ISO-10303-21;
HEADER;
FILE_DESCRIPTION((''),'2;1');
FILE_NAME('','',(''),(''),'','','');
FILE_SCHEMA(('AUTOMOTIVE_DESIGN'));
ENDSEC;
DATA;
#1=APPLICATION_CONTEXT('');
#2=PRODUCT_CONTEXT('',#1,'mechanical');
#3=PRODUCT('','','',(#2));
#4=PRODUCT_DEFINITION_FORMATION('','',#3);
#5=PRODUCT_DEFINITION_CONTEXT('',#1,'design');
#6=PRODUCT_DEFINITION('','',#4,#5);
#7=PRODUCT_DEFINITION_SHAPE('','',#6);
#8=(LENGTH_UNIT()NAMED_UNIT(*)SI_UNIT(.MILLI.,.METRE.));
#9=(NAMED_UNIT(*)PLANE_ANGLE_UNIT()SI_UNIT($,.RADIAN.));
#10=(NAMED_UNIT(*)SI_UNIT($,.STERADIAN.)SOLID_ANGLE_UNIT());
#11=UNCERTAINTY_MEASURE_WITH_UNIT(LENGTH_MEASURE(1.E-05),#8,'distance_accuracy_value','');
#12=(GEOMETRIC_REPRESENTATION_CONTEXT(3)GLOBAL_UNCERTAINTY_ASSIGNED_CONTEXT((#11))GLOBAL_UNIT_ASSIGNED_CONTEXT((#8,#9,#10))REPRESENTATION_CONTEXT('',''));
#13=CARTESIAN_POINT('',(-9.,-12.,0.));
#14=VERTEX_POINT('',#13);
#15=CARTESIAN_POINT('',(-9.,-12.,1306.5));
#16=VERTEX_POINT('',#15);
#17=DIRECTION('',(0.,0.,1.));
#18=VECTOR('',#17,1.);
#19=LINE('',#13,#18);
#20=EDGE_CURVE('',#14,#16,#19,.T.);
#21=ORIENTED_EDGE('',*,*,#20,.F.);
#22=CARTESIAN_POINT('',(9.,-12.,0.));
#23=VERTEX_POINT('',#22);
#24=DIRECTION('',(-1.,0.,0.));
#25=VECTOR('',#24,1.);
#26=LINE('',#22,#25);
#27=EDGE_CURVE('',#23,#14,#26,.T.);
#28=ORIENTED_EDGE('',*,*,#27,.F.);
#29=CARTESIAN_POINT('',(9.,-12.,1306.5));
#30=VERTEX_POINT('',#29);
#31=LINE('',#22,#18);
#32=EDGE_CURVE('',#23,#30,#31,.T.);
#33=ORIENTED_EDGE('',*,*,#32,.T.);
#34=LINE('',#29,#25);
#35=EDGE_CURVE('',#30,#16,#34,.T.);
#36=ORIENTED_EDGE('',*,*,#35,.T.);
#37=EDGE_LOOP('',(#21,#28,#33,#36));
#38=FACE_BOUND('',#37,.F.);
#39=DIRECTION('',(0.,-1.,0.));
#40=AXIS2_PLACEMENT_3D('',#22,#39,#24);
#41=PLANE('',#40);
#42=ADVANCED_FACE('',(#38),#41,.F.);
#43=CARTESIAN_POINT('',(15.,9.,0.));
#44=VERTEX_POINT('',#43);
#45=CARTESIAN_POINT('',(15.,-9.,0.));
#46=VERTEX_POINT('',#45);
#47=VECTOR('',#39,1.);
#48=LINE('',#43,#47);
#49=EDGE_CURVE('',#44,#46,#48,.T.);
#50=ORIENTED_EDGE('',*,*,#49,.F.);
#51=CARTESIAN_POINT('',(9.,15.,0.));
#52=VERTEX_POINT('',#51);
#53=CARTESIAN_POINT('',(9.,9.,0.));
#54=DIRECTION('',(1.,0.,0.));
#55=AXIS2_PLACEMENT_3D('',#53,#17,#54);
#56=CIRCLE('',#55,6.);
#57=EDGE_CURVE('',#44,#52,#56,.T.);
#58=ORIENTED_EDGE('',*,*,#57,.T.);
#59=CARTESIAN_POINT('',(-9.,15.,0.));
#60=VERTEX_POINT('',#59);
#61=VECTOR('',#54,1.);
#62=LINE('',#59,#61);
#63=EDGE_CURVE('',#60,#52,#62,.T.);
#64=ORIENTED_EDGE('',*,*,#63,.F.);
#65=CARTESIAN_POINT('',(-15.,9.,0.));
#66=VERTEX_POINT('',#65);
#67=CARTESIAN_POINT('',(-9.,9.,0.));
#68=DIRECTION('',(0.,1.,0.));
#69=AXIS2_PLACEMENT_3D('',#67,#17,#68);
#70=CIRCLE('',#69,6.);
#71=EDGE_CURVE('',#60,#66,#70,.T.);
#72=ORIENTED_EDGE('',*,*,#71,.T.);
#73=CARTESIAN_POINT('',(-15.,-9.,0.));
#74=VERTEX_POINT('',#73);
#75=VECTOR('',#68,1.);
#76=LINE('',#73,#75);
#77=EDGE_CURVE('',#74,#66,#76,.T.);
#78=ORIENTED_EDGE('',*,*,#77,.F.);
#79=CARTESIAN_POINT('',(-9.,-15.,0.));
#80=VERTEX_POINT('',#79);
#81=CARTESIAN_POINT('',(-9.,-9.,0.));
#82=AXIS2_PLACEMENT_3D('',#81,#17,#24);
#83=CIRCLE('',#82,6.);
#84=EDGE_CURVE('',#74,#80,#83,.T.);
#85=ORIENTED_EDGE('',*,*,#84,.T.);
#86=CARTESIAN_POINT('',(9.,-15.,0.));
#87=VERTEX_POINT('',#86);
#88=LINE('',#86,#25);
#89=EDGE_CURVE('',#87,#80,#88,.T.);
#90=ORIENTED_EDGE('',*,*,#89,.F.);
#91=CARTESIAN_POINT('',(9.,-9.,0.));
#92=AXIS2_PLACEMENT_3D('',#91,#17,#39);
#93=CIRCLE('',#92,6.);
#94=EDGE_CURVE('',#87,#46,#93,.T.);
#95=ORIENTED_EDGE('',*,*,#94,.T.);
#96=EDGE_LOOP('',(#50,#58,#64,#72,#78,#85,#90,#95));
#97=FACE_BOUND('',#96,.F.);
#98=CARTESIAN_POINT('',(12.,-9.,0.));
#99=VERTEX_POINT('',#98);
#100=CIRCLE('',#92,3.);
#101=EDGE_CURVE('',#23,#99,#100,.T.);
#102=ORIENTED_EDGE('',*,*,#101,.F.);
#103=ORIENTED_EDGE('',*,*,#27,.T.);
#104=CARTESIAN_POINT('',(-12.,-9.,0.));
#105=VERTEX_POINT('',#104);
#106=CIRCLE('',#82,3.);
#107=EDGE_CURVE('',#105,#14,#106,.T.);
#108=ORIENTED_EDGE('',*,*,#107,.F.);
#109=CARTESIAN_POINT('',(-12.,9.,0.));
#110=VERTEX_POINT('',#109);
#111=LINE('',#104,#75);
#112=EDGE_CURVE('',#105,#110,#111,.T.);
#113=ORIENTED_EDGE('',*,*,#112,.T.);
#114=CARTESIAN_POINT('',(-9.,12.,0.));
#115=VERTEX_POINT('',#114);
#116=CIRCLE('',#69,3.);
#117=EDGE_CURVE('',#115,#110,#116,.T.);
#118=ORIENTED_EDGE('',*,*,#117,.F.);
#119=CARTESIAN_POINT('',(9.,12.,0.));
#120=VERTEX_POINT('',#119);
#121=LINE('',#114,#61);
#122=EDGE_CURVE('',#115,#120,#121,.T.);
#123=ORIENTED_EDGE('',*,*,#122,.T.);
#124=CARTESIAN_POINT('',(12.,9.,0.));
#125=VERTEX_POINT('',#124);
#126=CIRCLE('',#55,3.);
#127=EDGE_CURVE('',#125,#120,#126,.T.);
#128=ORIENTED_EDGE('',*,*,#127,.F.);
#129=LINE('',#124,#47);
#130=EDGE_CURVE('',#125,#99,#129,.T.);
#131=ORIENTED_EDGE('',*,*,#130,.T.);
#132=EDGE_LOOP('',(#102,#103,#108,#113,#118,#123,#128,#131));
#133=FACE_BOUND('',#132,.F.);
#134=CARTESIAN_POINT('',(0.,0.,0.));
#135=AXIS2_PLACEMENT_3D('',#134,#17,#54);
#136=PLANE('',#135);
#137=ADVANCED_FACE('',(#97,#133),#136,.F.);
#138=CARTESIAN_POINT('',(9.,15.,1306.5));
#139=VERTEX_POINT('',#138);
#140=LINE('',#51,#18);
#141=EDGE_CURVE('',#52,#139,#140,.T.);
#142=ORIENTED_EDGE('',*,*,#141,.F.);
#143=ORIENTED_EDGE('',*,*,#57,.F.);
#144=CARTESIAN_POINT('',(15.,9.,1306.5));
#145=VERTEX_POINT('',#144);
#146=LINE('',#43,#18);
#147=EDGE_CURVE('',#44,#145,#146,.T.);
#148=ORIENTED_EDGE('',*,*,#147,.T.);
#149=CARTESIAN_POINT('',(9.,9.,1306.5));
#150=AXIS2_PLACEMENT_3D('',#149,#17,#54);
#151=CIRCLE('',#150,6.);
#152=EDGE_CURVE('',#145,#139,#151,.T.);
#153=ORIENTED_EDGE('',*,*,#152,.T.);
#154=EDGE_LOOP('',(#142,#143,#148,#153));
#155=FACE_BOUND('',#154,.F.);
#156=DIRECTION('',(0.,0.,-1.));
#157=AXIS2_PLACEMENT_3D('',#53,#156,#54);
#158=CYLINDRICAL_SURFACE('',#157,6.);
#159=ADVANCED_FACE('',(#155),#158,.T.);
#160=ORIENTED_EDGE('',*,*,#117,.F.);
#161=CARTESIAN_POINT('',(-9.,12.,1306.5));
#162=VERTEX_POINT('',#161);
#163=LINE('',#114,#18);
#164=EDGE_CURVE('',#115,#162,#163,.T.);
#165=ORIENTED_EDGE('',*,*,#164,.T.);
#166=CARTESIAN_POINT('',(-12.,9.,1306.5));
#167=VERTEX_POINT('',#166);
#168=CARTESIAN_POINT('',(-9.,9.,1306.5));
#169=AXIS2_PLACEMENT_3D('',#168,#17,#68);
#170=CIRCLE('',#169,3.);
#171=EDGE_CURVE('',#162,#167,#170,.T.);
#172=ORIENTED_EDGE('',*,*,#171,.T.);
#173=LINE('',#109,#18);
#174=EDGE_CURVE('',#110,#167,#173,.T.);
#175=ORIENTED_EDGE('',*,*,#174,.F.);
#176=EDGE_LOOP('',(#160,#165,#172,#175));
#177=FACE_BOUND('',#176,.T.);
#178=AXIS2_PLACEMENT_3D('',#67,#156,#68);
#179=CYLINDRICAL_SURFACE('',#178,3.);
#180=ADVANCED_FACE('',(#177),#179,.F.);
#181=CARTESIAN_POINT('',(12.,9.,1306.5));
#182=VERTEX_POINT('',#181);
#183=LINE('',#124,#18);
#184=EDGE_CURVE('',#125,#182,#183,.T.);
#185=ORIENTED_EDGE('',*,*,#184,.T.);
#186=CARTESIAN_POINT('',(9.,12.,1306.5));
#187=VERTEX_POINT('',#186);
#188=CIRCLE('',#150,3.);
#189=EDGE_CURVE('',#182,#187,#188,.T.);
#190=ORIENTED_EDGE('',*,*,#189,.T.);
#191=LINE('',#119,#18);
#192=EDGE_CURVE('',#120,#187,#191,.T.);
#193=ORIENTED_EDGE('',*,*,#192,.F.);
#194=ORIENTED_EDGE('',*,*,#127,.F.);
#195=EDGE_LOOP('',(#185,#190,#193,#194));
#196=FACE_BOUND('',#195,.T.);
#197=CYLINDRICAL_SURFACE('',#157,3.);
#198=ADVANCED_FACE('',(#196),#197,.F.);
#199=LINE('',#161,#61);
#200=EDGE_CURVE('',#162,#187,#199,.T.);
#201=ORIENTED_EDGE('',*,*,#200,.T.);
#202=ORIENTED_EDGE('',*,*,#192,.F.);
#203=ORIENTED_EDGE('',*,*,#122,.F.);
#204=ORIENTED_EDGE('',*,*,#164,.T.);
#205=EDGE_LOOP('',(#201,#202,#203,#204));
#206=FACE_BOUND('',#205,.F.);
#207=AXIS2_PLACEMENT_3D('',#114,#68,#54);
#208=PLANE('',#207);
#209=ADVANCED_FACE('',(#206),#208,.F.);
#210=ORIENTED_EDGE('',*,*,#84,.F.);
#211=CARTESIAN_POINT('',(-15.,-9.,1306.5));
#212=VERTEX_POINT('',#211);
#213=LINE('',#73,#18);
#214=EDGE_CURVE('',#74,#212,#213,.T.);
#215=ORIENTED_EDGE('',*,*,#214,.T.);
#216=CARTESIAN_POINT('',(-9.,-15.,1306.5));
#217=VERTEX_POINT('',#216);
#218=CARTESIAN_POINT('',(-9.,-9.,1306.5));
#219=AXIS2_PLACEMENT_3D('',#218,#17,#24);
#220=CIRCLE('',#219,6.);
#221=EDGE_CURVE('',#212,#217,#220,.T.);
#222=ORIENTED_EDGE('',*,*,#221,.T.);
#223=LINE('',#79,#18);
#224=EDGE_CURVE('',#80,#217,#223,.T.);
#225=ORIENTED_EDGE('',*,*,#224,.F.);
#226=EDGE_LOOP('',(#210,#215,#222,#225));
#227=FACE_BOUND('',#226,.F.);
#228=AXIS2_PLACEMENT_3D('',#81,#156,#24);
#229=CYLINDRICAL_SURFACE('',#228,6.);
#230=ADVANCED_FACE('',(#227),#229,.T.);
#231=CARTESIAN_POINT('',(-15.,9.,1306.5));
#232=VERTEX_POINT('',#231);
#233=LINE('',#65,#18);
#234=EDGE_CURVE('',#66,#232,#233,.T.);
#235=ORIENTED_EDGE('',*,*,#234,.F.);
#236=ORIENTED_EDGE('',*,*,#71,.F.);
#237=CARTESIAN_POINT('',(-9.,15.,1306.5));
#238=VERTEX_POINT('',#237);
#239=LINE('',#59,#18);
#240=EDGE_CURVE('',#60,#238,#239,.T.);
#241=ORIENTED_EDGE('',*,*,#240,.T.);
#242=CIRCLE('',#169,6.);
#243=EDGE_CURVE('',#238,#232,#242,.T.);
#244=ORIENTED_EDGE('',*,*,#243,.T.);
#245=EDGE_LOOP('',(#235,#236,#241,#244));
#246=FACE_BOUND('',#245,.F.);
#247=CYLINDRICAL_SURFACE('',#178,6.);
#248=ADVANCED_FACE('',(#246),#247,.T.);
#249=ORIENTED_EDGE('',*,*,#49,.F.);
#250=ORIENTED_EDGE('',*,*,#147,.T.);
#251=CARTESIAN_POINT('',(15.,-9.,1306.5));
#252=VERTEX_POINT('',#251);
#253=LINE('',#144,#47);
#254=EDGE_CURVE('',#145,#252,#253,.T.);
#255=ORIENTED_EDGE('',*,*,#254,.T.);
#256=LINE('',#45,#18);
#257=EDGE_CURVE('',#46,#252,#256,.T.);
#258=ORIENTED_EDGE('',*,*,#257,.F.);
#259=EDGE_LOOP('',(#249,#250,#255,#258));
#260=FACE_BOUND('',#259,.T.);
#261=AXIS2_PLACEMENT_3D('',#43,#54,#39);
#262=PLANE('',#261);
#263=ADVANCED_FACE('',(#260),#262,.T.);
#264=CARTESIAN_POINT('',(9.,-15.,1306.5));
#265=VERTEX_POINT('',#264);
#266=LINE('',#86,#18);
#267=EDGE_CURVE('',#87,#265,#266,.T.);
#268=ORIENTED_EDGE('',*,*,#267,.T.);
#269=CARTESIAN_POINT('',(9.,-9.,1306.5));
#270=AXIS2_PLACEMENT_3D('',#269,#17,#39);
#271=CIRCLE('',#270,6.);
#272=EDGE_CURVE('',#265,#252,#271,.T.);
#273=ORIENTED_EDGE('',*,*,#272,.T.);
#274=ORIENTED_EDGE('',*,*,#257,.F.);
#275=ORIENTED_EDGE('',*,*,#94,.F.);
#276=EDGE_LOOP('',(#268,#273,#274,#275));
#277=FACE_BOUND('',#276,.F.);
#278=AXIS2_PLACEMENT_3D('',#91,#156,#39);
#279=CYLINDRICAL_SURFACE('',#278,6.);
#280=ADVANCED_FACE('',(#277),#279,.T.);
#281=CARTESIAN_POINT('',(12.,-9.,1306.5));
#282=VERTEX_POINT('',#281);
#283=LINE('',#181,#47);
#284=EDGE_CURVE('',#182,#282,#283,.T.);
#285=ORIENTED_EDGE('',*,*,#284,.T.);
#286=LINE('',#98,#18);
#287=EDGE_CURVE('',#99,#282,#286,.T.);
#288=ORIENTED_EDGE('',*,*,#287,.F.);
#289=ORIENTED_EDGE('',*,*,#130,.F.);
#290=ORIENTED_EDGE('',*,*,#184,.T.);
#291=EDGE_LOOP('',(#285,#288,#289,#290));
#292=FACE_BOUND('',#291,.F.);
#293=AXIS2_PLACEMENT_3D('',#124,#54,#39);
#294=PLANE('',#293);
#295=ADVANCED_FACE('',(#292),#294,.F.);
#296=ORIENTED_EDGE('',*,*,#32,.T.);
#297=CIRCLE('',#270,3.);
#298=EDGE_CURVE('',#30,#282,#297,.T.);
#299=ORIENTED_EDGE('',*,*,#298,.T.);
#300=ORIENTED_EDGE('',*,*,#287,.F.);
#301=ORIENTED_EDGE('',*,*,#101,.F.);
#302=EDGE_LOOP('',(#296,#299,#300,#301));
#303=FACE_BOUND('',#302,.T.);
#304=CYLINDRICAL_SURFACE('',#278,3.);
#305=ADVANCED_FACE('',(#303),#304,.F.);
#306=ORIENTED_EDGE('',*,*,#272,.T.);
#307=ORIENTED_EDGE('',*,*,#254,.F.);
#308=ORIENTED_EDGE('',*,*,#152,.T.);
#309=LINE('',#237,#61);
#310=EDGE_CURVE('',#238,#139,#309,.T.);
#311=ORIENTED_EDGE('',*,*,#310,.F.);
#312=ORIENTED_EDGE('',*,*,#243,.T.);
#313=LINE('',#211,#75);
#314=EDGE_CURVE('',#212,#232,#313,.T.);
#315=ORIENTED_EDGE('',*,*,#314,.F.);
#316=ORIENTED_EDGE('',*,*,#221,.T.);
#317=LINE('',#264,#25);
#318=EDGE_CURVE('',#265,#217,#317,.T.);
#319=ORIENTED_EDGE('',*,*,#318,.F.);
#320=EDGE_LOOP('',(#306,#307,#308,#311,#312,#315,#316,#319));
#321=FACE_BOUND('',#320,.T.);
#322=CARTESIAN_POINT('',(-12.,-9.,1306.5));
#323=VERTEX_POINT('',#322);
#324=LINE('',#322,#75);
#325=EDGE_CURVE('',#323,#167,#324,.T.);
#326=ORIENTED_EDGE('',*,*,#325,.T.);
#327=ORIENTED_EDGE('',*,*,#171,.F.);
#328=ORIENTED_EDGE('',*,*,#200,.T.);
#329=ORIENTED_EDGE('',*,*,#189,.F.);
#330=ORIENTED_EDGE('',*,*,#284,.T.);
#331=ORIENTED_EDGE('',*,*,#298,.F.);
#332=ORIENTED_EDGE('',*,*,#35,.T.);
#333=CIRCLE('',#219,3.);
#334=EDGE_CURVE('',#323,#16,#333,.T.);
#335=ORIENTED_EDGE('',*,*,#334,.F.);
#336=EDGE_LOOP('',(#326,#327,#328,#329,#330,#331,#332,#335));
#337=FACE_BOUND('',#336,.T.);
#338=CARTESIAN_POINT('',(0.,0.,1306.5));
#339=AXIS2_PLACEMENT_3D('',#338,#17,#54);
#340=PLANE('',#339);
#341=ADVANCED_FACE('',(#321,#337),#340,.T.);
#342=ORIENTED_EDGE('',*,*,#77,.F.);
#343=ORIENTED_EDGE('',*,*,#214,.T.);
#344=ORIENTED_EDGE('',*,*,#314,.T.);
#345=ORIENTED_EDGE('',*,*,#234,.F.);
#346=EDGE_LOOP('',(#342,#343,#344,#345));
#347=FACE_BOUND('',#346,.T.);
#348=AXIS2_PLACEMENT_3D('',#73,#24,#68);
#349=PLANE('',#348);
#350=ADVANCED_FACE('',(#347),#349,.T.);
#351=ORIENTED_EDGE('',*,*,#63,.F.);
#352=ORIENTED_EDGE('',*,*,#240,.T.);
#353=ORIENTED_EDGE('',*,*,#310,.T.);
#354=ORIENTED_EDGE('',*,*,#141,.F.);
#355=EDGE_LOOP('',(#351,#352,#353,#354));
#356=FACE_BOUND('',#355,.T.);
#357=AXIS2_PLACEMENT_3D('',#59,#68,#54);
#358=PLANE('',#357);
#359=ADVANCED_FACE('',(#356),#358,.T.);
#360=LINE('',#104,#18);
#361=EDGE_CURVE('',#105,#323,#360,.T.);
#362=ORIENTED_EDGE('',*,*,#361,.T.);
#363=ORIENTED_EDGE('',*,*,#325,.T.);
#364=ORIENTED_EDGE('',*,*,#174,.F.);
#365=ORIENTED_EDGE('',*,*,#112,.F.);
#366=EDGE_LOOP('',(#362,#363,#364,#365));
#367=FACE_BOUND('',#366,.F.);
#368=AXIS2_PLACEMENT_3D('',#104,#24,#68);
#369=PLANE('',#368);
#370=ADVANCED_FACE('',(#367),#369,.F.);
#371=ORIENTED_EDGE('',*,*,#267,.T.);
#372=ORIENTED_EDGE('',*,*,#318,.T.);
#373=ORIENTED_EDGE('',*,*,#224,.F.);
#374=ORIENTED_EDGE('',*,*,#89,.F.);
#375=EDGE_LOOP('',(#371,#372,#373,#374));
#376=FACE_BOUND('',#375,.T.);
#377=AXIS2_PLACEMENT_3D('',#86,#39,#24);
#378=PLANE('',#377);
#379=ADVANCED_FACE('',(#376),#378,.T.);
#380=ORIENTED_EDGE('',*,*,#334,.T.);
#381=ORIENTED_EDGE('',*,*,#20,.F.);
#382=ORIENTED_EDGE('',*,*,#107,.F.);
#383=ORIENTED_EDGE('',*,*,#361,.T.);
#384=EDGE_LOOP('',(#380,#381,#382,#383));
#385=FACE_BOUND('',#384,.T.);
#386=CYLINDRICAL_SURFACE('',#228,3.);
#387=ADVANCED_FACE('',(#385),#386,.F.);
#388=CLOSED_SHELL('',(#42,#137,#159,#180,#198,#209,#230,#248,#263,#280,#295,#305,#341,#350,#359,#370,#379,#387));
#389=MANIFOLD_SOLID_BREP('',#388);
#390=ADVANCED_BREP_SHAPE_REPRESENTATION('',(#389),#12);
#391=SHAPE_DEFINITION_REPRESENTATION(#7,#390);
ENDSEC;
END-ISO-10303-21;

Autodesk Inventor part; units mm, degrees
ref_plane "Start Plane" through (0, 0, 0) normal (0, 0, 1) x (1, 0, 0)
ref_plane "End Plane" through (0, 0, 1306.5) normal (0, 0, 1) x (1, 0, 0)
sketch "Sketch" plane through (0, 0, 0) normal (0, 0, 1) x (1, 0, 0)
  line L0 (-15, -9) -> (-15, 9)
  line L1 (-9, 15) -> (9, 15)
  line L2 (15, 9) -> (15, -9)
  line L3 (9, -15) -> (-9, -15)
  arc A0 (-15, -9) -> (-9, -15) centre (-9, -9) ccw
  arc A1 (-9, 15) -> (-15, 9) centre (-9, 9) ccw
  arc A2 (15, 9) -> (9, 15) centre (9, 9) ccw
  arc A3 (9, -15) -> (15, -9) centre (9, -9) ccw
  arc A4 (-9, 12) -> (-12, 9) centre (-9, 9) ccw
  line L4 (-9, 12) -> (9, 12)
  arc A5 (12, 9) -> (9, 12) centre (9, 9) ccw
  line L5 (12, 9) -> (12, -9)
  arc A6 (9, -12) -> (12, -9) centre (9, -9) ccw
  line L6 (9, -12) -> (-9, -12)
  arc A7 (-12, -9) -> (-9, -12) centre (-9, -9) ccw
  line L7 (-12, -9) -> (-12, 9)
  line L8 (0, 22.7397) -> (0, -22.7397) construction
  line L9 (-22.7397, 0) -> (22.7397, 0) construction
  dimension "d7" = 6
  dimension "d10" = 30
  dimension "d11" = 30
  dimension "d12" = 3
  dimension "d15" = 15
  dimension "d16" = 15
extrude "Body" add sketch "Sketch" along normal up to surface (1306.5 mm away) from surface at 0
sketch "Sketch3" plane through (0, 0, 0) normal (0, 0, 1) x (1, 0, 0)
  line L0 (0, 0) -> (10, 0)
ref_plane "Work Plane3" through (0, 0, 0) normal (0, -1, 0) x (1, 0, 0)
ref_plane "Work Plane5" through (200, -9, 1306.5) normal (0, 0, 1) x (1, 0, 0)
split "Split2" plane through (200, -9, 1306.5) removes the side toward (0, 0, 1)
sketch "Sketch4" plane through (0, 0, 0) normal (0, -1, 0) x (1, 0, 0)
  line L0 (-2, 0) -> (12, 0) projected
  line L1 (-2, 1306.5) -> (12, 1306.5) projected
  dimension "d18" = 1306.5
equation "\"d7\" = G_IR"
equation "\"d10\" = G_H"
equation "\"d11\" = G_W"
equation "\"d12\" = G_T"
equation "\"d15\" = 0.5 * d10"
equation "\"d16\" = 0.5 * d11"
equation "\"d3\" = G_L"
equation "\"G_W\" = 30"
equation "\"G_H\" = 30"
equation "\"G_T\" = 3"
equation "\"G_IR\" = 6"
equation "\"G_L\" = d18"
equation "\"G_OFFSET_START\" = 0"
equation "\"G_OFFSET_END\" = -15"
equation "\"d14\" = G_OFFSET_END + B_L"
equation "\"B_L\" = 1321.5"
properties part number "DIN EN 10219-2 - 30 x 30 x 3  - 1306.5" material "Steel, Mild"
